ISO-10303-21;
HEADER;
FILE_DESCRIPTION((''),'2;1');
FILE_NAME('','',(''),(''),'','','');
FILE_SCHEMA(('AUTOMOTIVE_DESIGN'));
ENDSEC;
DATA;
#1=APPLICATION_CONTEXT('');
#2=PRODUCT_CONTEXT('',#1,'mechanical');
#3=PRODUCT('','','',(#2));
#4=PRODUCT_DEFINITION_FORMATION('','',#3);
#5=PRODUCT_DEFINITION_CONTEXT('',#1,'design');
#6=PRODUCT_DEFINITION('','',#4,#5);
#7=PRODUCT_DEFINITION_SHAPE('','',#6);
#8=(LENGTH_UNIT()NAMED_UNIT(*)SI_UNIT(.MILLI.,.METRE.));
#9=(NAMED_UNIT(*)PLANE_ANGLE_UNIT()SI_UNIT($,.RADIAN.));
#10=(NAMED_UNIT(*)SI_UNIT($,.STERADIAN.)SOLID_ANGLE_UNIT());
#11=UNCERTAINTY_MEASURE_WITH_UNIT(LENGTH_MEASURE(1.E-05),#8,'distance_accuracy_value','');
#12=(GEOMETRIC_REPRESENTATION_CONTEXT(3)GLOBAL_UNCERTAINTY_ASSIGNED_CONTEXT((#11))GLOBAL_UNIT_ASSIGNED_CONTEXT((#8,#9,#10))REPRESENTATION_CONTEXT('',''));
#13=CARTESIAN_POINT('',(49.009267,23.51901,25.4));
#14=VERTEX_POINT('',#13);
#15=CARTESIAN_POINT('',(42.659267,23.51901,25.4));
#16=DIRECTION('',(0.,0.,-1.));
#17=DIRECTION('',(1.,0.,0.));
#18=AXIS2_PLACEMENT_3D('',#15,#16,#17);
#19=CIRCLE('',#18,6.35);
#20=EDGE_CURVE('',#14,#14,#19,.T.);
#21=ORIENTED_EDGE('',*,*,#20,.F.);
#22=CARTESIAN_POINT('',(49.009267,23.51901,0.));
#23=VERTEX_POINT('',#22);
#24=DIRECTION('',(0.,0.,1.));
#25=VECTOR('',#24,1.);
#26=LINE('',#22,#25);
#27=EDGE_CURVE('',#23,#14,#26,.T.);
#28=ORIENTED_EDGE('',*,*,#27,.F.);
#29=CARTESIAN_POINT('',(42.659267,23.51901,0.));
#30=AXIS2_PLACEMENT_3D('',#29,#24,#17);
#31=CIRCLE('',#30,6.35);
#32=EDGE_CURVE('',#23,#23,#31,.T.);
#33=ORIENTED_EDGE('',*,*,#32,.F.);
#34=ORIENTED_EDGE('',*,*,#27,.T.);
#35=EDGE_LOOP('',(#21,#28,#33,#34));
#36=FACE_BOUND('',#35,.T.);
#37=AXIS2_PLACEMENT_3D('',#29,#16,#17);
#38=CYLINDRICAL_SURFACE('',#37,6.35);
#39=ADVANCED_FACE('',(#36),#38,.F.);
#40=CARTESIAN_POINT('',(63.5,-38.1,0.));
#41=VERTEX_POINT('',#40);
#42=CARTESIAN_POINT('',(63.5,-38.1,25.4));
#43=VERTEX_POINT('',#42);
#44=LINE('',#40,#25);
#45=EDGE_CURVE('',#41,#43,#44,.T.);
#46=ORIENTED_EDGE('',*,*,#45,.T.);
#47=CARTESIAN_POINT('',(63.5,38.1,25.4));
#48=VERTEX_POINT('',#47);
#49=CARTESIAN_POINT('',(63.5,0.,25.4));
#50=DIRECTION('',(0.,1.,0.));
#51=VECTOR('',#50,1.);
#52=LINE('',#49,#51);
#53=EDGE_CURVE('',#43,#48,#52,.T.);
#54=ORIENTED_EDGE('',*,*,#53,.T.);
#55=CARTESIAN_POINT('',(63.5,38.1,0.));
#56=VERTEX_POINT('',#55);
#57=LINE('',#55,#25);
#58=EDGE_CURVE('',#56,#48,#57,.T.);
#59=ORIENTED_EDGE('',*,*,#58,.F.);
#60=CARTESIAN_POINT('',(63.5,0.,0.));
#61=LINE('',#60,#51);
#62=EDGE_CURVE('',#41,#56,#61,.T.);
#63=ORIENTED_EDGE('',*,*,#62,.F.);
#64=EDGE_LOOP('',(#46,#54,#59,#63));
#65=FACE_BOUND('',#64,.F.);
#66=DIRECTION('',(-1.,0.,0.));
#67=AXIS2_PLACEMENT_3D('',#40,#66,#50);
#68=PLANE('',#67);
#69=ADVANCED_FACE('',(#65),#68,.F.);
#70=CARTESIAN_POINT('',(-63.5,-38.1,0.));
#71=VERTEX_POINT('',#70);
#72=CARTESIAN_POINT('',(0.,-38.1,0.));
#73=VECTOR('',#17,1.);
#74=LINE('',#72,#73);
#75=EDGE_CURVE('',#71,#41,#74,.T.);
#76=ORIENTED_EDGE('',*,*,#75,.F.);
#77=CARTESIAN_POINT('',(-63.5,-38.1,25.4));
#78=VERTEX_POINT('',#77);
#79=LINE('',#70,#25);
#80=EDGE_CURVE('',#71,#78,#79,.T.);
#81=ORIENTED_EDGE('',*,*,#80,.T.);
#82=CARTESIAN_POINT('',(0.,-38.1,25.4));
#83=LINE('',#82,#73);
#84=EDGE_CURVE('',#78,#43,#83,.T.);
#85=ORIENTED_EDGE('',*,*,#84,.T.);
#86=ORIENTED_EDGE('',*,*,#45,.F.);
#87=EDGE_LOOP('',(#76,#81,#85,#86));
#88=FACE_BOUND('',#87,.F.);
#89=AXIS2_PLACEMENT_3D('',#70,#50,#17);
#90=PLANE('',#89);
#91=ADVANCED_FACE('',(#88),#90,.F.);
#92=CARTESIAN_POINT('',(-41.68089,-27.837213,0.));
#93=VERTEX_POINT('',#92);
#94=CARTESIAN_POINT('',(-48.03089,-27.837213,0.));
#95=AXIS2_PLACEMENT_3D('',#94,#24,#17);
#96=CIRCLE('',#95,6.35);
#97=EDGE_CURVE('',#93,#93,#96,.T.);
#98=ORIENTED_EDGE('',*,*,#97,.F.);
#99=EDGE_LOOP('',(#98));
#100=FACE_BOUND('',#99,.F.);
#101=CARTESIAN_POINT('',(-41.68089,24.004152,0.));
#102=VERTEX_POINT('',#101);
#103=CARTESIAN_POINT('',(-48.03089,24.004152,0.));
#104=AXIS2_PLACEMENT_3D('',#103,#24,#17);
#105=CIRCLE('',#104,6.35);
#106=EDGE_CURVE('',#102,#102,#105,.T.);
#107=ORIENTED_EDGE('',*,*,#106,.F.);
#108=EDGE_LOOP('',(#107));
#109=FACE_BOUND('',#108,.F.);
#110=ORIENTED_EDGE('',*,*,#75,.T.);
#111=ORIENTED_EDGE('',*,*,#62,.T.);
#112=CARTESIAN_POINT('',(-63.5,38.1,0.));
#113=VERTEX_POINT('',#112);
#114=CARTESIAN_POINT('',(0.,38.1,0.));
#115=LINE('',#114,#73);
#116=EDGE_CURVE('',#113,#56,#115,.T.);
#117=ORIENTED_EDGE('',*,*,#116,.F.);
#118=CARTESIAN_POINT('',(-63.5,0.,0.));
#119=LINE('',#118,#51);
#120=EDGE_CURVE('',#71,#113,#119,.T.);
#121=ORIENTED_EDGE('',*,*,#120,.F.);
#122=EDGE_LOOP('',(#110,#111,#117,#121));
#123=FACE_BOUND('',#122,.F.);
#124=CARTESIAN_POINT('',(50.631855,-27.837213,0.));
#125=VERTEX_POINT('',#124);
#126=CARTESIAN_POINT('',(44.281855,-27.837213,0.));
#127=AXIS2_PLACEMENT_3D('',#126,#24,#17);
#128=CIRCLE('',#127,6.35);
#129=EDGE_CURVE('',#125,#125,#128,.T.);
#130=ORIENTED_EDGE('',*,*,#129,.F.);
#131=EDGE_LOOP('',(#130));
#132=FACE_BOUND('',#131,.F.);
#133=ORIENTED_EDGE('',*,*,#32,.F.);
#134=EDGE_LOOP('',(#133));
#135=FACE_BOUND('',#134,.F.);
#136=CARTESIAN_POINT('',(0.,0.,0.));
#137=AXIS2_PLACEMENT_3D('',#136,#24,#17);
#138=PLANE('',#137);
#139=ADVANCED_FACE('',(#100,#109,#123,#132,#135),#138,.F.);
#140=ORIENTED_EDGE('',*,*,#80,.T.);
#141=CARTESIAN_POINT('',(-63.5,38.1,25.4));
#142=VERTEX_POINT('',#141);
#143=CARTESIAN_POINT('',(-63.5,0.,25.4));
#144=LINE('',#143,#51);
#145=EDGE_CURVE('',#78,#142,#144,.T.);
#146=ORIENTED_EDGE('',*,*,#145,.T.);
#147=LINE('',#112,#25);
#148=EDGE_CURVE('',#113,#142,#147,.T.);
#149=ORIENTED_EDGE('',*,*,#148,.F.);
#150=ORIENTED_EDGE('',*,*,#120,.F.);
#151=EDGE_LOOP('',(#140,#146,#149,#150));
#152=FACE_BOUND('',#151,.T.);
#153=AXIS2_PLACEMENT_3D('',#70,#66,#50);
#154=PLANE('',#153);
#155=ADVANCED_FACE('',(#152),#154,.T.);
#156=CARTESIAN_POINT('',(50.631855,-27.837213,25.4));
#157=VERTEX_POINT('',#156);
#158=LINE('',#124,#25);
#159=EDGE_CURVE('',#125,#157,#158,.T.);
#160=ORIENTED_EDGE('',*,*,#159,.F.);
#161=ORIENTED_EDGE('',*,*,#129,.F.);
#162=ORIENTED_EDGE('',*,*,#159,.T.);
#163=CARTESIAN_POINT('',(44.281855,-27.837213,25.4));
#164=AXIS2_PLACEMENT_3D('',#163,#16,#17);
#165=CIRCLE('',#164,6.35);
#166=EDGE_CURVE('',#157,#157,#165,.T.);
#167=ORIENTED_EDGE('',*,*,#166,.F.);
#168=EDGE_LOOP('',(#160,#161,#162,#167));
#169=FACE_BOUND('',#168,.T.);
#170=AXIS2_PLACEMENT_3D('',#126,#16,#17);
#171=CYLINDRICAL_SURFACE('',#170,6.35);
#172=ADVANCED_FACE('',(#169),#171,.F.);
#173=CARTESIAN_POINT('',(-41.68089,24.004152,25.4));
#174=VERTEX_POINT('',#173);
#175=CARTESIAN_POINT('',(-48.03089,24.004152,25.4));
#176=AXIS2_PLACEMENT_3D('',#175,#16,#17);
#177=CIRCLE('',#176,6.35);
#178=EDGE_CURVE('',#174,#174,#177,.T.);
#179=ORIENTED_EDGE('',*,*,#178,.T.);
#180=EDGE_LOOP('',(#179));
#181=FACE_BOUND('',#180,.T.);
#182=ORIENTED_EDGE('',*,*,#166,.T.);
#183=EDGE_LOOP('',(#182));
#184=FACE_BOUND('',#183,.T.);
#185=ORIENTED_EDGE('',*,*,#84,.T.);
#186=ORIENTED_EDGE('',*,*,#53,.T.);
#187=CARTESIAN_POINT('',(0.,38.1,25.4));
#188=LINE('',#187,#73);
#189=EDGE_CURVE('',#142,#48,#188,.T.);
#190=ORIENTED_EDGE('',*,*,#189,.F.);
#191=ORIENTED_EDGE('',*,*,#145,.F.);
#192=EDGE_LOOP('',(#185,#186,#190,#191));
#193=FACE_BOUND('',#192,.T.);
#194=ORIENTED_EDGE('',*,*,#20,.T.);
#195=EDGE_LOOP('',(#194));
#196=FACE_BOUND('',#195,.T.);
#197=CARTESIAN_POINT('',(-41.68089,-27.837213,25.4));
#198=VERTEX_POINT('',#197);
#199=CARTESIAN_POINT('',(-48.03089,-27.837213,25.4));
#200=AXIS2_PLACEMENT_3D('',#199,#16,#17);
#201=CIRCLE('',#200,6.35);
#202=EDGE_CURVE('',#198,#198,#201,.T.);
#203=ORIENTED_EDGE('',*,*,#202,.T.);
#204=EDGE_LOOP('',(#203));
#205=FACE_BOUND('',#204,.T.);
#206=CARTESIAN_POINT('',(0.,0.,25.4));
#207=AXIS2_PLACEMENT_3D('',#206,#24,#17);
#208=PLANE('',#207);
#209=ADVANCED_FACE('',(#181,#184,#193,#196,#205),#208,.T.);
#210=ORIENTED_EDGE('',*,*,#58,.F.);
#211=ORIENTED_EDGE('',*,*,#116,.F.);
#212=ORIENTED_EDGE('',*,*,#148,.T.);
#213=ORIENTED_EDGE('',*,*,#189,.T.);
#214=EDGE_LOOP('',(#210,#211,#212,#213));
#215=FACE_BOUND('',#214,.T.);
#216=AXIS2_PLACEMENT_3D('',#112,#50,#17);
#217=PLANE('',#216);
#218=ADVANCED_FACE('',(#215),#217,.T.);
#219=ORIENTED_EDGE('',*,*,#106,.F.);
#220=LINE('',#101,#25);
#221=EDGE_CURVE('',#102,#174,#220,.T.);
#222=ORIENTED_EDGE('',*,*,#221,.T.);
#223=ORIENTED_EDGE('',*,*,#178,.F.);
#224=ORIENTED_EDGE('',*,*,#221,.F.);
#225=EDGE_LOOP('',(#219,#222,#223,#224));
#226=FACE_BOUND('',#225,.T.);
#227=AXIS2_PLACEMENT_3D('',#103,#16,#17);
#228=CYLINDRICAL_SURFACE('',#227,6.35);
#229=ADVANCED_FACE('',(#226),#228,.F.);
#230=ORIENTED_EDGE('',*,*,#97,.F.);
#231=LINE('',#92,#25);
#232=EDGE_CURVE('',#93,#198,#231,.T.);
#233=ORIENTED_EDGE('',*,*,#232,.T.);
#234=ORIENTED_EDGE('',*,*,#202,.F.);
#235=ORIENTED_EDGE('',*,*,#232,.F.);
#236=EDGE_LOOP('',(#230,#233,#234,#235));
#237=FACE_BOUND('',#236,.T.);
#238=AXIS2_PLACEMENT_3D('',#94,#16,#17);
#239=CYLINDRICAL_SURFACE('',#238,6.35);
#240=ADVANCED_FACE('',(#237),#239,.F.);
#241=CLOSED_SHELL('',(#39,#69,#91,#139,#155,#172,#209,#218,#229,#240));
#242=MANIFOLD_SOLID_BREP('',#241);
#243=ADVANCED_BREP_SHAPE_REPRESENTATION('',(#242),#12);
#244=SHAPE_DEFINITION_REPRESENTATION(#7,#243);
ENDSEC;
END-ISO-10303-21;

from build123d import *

# Parameters (mm, degrees)
F0_W     = 127
F0_H     = 76.2
F1_DEPTH = 25.4
F2_R     = 6.35
F3_DEPTH = 25.401


with BuildPart() as f1:
    # F0 (on Top) → F1 (new body)
    with BuildSketch(Plane.XY):
        Rectangle(F0_W, F0_H)
    extrude(amount=F1_DEPTH)

    # F2 (on Top) → F3 (cut, through all)
    with BuildSketch(Plane.XY):
        with Locations((-48.03089, -27.837213)):
            Circle(F2_R)
        with Locations((44.281855, -27.837213)):
            Circle(F2_R)
        with Locations((42.659267, 23.51901)):
            Circle(F2_R)
        with Locations((-48.03089, 24.004152)):
            Circle(F2_R)
    extrude(amount=F3_DEPTH, mode=Mode.SUBTRACT)


solid = f1.part
